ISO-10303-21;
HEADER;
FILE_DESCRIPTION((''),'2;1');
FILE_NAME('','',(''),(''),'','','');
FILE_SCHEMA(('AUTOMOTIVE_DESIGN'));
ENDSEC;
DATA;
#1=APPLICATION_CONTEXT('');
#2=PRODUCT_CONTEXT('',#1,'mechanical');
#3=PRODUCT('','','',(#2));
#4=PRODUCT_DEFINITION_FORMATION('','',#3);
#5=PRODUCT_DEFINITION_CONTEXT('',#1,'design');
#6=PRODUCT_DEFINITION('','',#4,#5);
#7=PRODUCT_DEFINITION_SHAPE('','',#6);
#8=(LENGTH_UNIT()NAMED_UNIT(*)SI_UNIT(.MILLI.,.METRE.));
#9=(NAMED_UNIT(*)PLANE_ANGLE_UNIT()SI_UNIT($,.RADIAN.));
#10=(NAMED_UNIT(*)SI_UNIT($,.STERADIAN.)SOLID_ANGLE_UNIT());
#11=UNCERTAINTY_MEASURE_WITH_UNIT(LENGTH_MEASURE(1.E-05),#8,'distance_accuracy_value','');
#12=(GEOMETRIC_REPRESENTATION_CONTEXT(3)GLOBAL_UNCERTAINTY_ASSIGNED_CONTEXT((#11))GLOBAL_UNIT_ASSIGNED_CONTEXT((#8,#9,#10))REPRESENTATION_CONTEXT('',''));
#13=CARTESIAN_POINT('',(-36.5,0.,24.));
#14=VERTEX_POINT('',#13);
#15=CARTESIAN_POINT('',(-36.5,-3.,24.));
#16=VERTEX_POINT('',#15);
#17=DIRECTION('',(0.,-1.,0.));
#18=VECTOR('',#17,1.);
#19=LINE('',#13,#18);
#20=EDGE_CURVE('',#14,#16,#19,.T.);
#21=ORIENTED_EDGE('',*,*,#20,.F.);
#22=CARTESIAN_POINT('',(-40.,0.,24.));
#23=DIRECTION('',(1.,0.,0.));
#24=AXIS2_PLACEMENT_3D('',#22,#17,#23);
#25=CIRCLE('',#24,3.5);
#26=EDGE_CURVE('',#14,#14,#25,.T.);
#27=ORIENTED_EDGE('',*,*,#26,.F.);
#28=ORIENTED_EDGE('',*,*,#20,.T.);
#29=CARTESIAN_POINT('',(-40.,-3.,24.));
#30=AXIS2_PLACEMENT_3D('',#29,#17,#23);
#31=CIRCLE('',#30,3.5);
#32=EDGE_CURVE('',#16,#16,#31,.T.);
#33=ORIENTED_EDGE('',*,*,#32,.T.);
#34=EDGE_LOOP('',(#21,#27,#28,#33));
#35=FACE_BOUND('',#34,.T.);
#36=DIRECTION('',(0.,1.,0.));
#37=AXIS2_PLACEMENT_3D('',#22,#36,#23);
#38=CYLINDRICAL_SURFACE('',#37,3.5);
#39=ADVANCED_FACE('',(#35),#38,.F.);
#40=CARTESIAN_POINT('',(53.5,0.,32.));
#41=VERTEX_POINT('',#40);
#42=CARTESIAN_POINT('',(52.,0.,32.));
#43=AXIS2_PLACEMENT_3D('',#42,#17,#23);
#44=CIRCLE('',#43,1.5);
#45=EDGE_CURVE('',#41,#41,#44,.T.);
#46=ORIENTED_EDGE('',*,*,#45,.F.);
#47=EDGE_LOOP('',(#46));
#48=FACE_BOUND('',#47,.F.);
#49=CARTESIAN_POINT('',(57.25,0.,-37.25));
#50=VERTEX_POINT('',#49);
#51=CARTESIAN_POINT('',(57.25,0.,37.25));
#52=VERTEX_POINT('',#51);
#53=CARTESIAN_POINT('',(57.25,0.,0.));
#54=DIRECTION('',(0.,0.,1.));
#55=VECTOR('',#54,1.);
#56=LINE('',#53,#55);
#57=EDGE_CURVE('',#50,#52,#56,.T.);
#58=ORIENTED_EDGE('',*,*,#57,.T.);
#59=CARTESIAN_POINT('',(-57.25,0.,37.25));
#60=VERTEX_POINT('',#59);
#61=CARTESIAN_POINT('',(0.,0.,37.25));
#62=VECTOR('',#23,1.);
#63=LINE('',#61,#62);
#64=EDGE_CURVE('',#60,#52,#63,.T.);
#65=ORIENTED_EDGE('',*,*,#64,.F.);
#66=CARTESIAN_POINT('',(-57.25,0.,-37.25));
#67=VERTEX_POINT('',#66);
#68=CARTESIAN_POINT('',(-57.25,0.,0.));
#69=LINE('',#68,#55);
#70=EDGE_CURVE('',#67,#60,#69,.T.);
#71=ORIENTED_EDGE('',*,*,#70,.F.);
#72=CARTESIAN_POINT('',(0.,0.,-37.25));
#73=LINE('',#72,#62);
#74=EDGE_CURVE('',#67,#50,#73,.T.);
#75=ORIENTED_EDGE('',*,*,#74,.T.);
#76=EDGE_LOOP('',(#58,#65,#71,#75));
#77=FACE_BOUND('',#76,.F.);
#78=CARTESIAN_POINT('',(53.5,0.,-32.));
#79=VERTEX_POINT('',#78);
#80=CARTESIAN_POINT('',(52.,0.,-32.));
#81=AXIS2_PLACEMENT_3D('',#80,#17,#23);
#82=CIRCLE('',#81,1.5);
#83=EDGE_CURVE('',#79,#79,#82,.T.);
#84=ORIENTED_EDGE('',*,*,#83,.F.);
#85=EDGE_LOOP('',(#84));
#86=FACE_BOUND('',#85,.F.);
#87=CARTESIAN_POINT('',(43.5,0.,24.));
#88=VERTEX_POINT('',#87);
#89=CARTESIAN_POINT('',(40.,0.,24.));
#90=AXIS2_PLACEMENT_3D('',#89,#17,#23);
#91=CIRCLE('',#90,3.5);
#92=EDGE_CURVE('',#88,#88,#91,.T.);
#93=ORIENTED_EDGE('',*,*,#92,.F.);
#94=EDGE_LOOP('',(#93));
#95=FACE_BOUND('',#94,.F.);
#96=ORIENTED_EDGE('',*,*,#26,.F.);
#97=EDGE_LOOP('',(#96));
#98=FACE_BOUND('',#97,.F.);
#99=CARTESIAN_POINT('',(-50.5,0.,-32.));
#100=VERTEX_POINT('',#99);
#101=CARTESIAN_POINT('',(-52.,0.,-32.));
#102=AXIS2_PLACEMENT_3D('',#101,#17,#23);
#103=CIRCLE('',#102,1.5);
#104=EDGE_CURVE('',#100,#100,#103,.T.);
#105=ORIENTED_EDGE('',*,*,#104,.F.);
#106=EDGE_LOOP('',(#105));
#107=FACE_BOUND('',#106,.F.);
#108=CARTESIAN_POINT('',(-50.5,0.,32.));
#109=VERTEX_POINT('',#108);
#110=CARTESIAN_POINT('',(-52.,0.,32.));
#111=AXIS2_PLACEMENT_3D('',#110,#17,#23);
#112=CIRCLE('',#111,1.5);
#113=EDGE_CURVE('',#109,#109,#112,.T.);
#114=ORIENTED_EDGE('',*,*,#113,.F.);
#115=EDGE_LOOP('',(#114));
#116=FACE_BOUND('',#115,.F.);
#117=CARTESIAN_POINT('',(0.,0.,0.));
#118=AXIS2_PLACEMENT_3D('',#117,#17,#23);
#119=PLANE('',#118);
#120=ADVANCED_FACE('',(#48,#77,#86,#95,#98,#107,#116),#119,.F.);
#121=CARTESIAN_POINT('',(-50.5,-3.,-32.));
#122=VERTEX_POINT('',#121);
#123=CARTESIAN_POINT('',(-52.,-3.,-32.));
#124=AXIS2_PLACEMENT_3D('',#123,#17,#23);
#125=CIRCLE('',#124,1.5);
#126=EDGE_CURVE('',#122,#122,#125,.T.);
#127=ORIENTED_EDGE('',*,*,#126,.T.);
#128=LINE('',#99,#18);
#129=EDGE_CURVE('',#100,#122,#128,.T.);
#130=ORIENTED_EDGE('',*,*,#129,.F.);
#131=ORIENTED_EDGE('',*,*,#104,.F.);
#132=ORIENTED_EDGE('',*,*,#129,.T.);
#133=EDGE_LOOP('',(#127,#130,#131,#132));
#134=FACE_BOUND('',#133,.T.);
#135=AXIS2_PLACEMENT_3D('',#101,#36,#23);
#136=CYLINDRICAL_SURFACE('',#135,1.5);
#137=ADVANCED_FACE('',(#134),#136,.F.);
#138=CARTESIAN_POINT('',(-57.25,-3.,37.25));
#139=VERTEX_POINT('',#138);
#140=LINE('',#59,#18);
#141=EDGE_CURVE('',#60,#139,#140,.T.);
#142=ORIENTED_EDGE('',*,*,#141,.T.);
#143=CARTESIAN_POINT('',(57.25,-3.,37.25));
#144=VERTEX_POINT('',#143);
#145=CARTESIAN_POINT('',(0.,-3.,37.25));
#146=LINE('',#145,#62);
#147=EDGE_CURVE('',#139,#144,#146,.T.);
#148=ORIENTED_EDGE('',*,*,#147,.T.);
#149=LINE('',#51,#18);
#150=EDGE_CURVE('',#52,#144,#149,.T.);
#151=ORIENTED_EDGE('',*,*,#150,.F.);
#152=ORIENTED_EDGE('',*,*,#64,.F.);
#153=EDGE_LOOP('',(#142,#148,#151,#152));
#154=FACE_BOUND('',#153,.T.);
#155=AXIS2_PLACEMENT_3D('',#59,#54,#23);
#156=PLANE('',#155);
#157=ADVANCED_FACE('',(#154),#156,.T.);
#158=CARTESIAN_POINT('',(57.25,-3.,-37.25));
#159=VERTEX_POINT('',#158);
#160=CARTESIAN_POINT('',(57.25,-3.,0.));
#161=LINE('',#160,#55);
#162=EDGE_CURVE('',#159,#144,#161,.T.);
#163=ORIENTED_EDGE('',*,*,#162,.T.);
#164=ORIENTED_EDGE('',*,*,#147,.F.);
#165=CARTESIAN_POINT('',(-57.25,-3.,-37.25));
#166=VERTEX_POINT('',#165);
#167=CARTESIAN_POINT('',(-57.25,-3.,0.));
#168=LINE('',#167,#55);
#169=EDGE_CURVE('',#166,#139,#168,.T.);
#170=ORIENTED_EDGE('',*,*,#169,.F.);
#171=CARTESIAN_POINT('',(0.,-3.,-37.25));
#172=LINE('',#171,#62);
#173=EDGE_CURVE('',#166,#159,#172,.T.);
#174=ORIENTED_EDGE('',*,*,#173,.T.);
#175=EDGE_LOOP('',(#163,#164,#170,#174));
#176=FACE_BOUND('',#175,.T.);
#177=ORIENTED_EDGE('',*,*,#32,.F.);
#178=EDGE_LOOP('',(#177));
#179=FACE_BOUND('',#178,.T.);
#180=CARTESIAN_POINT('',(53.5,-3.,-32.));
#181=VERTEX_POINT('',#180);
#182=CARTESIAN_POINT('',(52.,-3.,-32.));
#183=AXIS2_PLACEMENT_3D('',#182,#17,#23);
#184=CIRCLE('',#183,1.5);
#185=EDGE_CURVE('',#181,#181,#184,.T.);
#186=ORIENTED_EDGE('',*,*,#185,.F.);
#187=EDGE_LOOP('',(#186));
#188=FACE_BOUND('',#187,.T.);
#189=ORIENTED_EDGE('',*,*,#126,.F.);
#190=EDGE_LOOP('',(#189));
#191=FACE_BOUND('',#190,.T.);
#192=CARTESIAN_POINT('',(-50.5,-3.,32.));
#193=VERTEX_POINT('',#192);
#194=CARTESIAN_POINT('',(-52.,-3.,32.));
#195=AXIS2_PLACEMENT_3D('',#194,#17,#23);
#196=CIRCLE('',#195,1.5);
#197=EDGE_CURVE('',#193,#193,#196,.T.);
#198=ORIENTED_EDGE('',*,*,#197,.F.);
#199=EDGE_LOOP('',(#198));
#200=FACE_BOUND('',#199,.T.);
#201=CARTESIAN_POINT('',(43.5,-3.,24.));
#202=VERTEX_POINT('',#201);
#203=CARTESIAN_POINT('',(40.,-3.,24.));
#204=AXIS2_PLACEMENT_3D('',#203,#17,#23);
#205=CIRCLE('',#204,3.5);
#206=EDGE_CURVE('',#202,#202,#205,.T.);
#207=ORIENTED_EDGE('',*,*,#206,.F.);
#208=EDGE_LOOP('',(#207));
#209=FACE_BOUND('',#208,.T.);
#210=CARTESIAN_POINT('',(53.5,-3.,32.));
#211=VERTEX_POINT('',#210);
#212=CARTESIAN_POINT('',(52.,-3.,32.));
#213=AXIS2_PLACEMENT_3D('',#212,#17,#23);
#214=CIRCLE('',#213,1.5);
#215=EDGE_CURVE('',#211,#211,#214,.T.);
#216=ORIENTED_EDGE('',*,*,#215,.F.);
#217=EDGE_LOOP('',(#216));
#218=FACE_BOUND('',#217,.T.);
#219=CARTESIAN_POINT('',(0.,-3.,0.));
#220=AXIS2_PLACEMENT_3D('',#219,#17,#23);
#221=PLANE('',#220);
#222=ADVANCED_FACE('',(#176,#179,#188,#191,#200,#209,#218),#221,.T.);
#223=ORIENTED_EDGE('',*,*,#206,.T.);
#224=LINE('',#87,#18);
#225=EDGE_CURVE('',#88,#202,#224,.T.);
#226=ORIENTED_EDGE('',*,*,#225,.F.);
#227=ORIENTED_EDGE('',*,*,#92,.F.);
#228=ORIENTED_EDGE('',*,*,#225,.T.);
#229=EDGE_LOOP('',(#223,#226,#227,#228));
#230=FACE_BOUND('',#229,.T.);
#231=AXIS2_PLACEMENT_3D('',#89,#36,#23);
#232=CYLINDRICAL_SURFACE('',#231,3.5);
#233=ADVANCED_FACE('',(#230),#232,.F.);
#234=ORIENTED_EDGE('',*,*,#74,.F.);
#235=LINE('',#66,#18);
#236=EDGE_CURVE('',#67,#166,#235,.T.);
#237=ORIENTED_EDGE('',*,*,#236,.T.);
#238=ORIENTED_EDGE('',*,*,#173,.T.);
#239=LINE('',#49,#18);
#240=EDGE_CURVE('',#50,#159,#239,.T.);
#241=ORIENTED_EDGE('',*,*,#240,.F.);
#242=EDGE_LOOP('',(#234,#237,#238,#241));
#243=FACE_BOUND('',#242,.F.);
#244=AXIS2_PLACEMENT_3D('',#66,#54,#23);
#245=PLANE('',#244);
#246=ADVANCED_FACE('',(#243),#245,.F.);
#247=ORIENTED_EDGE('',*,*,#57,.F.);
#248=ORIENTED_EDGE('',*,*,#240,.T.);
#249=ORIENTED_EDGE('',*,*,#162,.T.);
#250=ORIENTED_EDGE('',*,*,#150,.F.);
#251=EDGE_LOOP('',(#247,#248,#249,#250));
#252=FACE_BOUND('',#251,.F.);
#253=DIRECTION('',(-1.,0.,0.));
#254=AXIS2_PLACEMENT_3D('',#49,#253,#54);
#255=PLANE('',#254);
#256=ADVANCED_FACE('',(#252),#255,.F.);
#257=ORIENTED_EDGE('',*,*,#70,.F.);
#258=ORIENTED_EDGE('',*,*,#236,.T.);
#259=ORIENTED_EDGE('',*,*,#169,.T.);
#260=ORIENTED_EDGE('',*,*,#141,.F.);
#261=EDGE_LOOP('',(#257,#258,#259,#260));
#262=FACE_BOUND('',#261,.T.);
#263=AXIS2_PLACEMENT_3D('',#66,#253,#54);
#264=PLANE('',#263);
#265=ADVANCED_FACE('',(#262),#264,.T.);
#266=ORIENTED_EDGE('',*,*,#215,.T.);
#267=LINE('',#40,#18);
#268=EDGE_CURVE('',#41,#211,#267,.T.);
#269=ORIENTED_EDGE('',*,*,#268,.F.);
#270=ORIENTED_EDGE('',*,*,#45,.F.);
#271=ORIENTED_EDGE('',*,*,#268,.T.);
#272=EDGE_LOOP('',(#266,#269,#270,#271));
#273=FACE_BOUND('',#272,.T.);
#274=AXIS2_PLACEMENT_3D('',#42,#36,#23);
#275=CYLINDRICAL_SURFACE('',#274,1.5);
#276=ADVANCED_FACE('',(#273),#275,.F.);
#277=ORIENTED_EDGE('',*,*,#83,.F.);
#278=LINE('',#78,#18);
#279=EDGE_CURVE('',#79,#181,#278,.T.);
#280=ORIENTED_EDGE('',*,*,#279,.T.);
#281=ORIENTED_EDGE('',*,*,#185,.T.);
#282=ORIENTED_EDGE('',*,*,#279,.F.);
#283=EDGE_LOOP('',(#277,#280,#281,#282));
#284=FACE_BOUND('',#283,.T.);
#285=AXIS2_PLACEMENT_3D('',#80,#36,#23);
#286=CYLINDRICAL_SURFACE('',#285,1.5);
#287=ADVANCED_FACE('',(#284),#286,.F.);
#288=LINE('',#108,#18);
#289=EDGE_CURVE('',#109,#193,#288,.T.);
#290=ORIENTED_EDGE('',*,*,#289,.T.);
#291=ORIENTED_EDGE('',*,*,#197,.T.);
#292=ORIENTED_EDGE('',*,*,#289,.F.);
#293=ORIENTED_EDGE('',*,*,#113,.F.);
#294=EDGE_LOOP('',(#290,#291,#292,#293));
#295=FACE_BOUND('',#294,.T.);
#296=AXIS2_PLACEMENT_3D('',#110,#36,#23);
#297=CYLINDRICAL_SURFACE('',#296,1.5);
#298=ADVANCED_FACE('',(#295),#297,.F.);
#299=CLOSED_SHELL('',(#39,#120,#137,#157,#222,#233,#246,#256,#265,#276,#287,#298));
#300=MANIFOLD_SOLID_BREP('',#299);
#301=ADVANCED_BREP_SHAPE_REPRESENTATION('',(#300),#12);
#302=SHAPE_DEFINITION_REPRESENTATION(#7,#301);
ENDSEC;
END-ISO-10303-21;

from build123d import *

# Parameters (mm, degrees)
F0_W     = 114.5
F0_H     = 74.5
F0_R     = 1.5
F0_R_2   = 3.5
F1_DEPTH = 3


with BuildPart() as f1:
    # F0 (on Front) → F1 (new body)
    with BuildSketch(Plane.XZ):
        Rectangle(F0_W, F0_H)
        with Locations((-52, -32)):
            Circle(F0_R, mode=Mode.SUBTRACT)
        with Locations((52, -32)):
            Circle(F0_R, mode=Mode.SUBTRACT)
        with Locations((-40, 24)):
            Circle(F0_R_2, mode=Mode.SUBTRACT)
        with Locations((-52, 32)):
            Circle(F0_R, mode=Mode.SUBTRACT)
        with Locations((40, 24)):
            Circle(F0_R_2, mode=Mode.SUBTRACT)
        with Locations((52, 32)):
            Circle(F0_R, mode=Mode.SUBTRACT)
    extrude(amount=F1_DEPTH)


solid = f1.part
